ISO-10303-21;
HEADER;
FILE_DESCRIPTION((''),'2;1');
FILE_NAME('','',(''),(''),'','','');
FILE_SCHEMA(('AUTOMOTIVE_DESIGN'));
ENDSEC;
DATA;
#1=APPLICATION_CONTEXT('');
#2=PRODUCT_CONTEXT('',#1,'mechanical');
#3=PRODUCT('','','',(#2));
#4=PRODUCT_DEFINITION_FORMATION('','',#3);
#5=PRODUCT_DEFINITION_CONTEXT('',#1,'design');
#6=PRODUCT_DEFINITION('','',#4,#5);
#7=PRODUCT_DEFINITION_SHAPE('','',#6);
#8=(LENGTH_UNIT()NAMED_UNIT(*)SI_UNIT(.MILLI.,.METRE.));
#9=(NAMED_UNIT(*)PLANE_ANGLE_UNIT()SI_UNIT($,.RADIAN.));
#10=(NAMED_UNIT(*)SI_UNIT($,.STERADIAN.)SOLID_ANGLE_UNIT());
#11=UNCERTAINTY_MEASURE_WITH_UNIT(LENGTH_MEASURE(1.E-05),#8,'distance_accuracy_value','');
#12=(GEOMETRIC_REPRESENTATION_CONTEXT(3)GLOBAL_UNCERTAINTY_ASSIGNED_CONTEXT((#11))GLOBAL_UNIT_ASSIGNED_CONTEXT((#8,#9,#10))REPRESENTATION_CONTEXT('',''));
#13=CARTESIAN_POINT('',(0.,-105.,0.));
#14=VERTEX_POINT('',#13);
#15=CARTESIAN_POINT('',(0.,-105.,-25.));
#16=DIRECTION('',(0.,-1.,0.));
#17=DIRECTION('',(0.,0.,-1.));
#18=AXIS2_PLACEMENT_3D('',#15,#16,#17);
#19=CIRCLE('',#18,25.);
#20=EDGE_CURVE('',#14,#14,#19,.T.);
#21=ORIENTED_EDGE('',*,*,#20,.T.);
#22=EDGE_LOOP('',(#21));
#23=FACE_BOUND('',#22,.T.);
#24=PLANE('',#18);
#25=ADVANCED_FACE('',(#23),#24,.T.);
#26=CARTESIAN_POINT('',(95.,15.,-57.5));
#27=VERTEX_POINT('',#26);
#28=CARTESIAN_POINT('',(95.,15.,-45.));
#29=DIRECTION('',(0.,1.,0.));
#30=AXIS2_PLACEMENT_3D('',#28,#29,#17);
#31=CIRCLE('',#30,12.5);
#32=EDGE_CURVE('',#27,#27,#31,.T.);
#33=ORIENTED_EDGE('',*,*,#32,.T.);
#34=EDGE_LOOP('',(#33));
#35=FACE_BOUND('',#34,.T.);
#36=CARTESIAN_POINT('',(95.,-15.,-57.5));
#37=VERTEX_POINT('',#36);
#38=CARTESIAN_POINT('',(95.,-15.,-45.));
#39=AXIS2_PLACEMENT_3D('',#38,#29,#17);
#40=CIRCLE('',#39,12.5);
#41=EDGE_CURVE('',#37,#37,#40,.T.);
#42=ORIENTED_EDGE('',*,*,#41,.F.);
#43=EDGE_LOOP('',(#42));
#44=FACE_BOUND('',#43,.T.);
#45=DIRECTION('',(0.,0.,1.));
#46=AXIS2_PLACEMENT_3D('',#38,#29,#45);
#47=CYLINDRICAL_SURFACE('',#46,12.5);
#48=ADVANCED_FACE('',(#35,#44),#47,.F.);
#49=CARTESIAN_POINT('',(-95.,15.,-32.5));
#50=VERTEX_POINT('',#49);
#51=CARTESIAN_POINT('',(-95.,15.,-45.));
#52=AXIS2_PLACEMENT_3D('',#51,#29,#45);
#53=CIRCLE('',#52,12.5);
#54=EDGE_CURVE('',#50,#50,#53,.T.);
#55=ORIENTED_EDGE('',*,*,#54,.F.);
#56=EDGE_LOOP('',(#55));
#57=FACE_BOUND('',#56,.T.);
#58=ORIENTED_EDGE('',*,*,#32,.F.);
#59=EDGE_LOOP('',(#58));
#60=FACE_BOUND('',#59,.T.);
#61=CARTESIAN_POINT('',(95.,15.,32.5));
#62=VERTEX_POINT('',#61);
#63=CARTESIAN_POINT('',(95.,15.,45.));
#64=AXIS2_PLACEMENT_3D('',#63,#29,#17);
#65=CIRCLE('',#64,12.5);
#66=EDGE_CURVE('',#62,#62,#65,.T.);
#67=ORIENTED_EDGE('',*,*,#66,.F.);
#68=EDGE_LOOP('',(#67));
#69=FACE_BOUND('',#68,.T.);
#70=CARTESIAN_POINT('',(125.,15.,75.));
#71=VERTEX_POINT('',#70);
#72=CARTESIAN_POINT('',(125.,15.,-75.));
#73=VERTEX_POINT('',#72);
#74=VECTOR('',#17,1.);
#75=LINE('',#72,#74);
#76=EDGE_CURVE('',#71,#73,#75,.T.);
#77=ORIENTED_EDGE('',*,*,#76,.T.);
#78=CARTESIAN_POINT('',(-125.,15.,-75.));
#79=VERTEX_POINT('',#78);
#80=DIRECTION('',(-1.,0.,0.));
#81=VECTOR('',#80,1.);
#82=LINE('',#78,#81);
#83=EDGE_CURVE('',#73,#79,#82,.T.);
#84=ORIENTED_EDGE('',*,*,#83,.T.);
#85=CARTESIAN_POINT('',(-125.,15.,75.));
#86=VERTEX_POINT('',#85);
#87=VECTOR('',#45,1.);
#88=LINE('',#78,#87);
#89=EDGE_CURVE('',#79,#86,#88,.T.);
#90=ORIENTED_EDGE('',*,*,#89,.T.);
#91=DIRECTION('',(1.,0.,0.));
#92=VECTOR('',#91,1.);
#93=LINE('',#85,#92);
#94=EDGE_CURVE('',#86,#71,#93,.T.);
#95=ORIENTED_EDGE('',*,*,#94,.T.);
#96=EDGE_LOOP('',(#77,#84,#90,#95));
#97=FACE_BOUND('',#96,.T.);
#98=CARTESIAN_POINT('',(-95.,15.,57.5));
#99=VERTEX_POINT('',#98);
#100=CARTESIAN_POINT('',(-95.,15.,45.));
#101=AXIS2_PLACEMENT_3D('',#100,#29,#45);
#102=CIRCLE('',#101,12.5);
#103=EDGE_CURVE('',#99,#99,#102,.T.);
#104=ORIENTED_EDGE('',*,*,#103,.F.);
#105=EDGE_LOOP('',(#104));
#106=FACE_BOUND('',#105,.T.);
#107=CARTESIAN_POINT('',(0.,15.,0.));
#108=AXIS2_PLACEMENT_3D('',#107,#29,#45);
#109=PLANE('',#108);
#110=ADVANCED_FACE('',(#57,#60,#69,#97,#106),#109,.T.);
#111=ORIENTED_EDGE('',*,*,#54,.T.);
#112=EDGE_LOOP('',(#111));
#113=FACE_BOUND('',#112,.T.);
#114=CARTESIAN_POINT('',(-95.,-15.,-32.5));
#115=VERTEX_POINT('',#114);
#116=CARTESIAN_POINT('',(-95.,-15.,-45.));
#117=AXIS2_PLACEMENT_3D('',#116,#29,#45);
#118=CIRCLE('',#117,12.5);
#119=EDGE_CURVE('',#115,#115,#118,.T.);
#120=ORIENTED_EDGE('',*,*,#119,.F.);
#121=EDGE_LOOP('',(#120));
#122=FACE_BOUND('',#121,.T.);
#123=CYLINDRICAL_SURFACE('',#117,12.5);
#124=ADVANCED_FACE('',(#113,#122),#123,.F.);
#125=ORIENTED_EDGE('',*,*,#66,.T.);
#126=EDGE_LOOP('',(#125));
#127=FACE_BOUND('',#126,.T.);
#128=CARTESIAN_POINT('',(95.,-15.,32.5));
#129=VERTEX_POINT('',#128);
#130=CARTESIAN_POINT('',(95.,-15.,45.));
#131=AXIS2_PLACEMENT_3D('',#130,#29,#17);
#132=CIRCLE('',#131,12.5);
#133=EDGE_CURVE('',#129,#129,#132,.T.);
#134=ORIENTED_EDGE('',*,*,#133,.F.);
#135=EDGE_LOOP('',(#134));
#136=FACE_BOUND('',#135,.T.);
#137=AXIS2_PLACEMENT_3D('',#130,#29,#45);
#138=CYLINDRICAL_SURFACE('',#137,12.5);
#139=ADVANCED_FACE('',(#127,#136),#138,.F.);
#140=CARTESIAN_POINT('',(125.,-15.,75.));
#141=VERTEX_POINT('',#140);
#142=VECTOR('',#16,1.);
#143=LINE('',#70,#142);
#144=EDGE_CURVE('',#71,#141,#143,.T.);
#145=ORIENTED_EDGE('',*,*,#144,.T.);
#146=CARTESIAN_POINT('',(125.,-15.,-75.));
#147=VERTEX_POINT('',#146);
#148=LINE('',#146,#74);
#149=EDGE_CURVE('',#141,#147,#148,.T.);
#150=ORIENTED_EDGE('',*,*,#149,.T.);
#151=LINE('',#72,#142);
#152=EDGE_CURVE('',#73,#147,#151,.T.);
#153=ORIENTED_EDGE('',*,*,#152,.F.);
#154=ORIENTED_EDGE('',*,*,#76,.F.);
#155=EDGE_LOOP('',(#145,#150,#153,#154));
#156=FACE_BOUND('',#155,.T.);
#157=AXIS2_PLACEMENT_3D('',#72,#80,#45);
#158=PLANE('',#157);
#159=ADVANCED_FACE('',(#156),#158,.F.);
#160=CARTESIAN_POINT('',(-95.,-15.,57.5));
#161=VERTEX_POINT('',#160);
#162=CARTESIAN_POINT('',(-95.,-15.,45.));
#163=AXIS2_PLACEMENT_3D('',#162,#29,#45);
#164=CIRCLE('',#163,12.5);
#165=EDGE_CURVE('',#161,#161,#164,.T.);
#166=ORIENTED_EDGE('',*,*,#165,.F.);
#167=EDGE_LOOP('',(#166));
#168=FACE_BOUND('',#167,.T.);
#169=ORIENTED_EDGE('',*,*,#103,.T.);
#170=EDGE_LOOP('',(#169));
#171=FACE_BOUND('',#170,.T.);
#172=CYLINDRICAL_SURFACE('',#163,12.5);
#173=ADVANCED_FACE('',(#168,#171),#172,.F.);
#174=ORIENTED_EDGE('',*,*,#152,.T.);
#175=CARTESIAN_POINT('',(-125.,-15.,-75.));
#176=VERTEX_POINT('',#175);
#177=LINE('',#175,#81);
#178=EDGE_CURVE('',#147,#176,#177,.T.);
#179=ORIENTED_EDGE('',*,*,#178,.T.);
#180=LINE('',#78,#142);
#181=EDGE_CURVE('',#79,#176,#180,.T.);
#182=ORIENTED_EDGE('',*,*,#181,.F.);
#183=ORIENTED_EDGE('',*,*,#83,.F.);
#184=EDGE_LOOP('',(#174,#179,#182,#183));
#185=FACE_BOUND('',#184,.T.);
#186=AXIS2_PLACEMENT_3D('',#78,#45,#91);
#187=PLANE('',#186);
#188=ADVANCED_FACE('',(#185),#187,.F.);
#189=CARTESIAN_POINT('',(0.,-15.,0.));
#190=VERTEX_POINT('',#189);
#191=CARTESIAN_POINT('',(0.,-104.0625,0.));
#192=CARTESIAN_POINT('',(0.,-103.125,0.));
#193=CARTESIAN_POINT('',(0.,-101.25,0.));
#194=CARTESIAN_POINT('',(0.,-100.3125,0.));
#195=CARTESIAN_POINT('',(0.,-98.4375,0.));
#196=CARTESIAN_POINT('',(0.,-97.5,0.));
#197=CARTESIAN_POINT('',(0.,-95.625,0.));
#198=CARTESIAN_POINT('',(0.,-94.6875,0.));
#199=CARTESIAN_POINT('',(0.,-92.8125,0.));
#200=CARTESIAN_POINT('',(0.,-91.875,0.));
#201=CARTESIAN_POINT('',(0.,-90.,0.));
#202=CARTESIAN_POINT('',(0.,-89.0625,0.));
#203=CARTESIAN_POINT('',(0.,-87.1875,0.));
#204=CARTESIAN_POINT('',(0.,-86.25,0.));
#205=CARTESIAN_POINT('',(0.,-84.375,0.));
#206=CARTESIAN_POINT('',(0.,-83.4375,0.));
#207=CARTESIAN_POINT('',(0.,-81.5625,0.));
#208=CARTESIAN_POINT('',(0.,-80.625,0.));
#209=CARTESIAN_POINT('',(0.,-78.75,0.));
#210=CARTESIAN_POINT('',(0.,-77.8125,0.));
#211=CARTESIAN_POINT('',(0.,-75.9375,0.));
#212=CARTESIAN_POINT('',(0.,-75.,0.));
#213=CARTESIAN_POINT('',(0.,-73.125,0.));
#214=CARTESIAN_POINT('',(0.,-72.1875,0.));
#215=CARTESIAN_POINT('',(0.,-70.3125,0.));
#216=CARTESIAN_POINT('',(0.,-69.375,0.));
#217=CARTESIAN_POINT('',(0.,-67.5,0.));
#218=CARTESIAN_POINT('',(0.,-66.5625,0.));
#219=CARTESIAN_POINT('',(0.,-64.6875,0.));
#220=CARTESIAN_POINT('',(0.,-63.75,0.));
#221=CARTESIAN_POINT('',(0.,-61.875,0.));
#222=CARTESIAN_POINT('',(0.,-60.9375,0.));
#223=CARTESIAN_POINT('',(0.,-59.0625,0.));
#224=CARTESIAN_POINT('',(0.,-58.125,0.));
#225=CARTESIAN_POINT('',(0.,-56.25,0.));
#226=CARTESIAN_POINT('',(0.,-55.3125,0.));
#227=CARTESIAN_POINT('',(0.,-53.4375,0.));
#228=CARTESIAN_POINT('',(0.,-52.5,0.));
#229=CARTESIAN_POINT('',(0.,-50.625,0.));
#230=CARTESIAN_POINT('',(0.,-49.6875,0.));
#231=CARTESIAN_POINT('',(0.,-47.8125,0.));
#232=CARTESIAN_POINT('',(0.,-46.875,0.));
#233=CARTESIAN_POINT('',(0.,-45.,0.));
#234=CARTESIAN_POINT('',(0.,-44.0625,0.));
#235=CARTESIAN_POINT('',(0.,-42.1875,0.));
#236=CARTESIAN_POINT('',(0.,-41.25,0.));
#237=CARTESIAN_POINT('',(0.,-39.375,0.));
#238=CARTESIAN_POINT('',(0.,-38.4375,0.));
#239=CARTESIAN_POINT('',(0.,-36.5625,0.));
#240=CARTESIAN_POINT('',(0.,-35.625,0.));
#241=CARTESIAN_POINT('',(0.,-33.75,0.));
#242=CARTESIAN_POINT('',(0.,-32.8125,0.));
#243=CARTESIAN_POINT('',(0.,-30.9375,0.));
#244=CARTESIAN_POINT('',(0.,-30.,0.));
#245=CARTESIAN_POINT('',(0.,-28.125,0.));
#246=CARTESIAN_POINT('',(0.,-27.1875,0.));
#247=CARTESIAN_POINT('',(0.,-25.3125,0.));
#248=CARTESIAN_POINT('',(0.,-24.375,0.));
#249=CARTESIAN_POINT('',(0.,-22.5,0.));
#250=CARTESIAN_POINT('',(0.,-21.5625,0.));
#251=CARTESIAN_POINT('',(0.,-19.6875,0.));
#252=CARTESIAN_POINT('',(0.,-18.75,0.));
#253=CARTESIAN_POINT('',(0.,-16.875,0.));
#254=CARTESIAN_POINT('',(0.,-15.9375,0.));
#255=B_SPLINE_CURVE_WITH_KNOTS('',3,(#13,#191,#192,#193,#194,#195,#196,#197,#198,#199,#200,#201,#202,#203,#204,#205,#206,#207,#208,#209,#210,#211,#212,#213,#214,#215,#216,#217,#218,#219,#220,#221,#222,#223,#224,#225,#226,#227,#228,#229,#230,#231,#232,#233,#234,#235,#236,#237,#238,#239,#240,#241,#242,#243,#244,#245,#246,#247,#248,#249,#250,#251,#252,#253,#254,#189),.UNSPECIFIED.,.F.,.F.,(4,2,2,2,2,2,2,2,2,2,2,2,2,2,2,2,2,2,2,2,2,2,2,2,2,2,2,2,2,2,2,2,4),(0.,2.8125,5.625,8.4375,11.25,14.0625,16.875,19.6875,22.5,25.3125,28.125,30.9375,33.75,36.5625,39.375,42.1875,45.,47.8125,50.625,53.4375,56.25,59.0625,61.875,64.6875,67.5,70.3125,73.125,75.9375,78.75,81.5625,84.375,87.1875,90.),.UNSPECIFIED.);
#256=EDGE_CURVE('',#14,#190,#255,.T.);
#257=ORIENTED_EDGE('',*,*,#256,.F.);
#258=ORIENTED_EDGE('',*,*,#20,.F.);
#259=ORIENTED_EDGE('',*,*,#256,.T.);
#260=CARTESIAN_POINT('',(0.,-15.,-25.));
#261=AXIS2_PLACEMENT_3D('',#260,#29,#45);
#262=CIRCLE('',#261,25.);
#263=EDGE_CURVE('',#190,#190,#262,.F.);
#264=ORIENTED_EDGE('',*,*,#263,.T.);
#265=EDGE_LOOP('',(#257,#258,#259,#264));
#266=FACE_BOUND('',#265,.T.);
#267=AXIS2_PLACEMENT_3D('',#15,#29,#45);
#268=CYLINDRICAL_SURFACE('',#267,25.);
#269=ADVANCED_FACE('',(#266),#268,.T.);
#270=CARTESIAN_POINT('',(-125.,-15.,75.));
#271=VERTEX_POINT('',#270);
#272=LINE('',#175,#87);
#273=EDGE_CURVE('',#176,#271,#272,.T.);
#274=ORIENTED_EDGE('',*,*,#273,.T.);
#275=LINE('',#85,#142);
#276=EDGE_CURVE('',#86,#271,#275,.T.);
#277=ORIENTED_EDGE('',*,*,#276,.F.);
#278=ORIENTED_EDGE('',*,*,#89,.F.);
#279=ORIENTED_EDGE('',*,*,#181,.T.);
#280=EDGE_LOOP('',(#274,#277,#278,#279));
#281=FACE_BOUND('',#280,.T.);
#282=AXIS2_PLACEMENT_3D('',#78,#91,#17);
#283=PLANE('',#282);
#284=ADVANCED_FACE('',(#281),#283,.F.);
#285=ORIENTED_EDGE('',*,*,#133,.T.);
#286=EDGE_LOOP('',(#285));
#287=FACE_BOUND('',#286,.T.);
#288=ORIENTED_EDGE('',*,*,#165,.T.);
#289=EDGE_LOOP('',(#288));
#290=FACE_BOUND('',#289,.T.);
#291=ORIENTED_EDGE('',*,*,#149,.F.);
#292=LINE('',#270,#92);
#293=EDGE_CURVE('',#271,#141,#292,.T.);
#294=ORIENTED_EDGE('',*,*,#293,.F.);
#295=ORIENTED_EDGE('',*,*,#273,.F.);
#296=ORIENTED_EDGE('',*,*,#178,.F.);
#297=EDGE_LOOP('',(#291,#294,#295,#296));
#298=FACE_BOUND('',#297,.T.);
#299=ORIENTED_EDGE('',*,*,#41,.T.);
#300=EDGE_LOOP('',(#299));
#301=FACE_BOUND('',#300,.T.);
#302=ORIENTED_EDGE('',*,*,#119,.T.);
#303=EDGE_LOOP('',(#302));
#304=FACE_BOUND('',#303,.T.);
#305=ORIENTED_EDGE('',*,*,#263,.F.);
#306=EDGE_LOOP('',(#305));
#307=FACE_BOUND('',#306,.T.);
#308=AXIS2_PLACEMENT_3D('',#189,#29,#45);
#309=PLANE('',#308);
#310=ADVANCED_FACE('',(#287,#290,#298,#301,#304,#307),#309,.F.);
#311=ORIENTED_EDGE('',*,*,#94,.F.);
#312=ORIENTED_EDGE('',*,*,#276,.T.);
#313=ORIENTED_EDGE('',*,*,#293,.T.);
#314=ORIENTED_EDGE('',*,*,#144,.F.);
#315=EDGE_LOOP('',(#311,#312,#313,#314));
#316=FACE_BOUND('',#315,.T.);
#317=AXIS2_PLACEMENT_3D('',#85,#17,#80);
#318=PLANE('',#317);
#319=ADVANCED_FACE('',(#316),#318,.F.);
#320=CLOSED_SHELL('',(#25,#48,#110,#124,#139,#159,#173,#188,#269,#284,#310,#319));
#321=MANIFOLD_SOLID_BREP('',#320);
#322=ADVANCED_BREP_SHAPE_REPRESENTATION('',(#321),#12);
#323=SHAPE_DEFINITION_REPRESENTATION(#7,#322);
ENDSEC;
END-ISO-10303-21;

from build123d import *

# Parameters (mm, degrees)
SKETCH2_W           = 250
SKETCH2_H           = 150
BOSS_EXTRUDE1_DEPTH = 15
SKETCH3_R           = 12.5
CUT_EXTRUDE1_DEPTH  = 149.828760661
SKETCH4_R           = 25
BOSS_EXTRUDE2_DEPTH = 90


with BuildPart() as part:
    # Sketch2 → Boss-Extrude1 (new, symmetric)
    with BuildSketch(Plane(origin=(0, 0, 0), x_dir=(1, 0, 0), z_dir=(0, 1, 0))):
        Rectangle(SKETCH2_W, SKETCH2_H)
    extrude(amount=BOSS_EXTRUDE1_DEPTH, both=True)

    # Sketch3 → Cut-Extrude1 (cut, through all)
    with BuildSketch(Plane(origin=(0, 15, 0), x_dir=(1, 0, 0), z_dir=(0, 1, 0))):
        with Locations(Location((-95, -45, 0), (0, 0, 270))):
            Circle(SKETCH3_R)
        with Locations(Location((-95, 45, 0), (0, 0, 270))):
            Circle(SKETCH3_R)
        with Locations(Location((95, -45, 0), (0, 0, 90))):
            Circle(SKETCH3_R)
        with Locations(Location((95, 45, 0), (0, 0, 90))):
            Circle(SKETCH3_R)
    extrude(amount=-CUT_EXTRUDE1_DEPTH, mode=Mode.SUBTRACT)

    # Sketch4 → Boss-Extrude2 (add)
    with BuildSketch(Plane.XZ.offset(15)):
        with Locations(Location((0, -25, 0), (0, 0, 90))):
            Circle(SKETCH4_R)
    extrude(amount=BOSS_EXTRUDE2_DEPTH)


solid = part.part
